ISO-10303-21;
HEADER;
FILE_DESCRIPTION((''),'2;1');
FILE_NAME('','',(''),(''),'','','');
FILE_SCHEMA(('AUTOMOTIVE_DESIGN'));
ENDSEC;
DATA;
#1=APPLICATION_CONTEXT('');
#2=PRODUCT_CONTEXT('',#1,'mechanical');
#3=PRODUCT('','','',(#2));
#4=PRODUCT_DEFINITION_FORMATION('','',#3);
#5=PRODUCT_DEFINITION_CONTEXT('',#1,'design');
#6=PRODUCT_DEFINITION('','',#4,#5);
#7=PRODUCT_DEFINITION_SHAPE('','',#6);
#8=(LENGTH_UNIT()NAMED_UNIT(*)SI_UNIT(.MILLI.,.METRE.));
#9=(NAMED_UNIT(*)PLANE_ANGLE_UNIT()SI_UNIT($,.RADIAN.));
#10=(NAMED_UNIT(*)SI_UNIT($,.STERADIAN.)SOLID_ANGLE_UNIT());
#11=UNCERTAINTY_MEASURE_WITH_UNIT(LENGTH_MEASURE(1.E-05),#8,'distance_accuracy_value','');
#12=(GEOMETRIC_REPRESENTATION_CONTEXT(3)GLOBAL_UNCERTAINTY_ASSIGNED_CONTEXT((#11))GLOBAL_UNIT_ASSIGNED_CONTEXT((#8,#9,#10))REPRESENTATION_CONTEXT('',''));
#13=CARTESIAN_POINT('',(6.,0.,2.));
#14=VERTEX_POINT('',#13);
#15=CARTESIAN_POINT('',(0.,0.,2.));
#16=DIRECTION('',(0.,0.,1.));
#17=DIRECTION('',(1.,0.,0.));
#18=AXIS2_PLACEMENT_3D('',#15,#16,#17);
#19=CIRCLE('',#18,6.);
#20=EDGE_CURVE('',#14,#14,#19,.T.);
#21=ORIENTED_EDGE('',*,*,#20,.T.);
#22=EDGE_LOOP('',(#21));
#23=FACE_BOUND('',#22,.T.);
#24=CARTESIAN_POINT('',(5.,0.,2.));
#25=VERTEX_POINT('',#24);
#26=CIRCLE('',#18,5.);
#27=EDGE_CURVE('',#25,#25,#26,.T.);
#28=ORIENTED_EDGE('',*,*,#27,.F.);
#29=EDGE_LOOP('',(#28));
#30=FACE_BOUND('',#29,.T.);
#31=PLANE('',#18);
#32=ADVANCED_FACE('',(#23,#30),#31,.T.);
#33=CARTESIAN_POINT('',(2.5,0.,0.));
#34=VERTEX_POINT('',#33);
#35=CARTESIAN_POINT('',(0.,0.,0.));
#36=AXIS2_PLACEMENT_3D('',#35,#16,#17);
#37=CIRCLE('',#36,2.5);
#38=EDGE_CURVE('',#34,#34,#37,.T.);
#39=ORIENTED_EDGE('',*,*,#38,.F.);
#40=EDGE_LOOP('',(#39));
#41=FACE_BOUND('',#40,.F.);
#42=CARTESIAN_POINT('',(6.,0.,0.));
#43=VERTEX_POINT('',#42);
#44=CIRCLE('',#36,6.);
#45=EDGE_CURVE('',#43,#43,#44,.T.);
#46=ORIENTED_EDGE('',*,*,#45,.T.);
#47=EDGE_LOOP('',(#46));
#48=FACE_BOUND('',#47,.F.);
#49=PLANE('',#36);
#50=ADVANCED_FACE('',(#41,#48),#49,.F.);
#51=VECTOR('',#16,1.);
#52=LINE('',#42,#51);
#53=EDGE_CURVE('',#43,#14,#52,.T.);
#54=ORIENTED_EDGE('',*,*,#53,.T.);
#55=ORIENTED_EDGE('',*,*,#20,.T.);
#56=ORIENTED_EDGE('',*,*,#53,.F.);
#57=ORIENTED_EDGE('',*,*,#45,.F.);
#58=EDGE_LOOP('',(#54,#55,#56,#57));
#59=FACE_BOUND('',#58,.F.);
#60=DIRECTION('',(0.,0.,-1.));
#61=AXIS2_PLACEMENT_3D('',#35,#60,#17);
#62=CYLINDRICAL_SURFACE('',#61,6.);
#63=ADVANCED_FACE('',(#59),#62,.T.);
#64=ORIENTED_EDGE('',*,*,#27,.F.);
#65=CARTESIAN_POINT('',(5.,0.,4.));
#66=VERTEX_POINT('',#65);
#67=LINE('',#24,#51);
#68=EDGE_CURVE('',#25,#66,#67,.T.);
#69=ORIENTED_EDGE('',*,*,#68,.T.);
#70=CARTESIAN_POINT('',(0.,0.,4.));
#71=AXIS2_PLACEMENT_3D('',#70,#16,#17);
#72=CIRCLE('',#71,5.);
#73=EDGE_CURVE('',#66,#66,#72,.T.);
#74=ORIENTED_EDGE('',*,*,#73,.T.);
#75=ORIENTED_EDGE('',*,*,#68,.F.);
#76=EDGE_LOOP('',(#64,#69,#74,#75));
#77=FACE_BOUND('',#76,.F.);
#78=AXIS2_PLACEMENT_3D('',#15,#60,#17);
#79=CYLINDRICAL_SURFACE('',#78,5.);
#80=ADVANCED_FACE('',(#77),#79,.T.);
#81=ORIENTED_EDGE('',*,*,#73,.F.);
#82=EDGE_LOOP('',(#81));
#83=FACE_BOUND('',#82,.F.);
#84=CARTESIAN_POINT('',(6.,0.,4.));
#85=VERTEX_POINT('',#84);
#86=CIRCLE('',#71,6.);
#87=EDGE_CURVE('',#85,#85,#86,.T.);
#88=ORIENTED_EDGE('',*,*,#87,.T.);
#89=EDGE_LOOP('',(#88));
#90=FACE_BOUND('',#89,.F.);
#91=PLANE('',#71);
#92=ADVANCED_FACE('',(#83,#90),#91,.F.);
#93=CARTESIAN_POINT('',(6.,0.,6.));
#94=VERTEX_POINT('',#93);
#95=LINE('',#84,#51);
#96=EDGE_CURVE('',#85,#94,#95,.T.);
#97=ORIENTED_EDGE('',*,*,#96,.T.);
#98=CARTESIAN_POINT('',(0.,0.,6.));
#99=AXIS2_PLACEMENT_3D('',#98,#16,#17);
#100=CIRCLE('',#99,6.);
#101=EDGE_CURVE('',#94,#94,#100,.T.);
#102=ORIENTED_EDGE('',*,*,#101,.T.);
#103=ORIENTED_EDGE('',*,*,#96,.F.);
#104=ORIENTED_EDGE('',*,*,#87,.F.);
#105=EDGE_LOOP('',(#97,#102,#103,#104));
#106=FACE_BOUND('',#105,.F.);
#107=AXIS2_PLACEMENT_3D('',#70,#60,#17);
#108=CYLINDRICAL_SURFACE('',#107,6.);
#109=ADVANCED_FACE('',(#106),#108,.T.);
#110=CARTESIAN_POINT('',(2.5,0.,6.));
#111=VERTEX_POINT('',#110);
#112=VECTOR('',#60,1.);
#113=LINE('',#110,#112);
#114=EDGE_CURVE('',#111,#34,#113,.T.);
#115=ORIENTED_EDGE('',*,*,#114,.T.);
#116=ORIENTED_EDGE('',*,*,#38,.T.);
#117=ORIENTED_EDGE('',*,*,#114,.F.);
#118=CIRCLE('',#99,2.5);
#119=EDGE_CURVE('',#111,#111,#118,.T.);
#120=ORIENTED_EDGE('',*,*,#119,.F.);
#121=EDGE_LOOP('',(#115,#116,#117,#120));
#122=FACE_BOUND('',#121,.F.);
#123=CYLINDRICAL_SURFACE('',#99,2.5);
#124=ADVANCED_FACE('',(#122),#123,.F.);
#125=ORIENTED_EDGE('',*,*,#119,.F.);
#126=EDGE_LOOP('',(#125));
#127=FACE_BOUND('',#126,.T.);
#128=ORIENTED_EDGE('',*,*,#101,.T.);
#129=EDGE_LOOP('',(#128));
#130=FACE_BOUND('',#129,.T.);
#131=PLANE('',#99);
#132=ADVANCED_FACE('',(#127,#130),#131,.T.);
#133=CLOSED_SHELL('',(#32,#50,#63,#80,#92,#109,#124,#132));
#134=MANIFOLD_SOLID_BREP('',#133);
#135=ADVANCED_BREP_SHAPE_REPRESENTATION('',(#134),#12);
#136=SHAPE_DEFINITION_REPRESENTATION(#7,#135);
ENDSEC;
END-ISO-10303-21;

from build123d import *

# Parameters (mm, degrees)
SKETCH_R     = 6
PAD_DEPTH    = 2
SKETCH001_R  = 5
PAD001_DEPTH = 2
SKETCH002_R  = 6
PAD002_DEPTH = 2
SKETCH003_R  = 2.5
POCKET_DEPTH = 6.001


with BuildPart() as part:
    # Sketch → Pad (new body)
    with BuildSketch(Plane.XY):
        Circle(SKETCH_R)
    extrude(amount=PAD_DEPTH)

    # Sketch001 (on Face3 of Pad) → Pad001 (join)
    with BuildSketch(Plane.XY.offset(2)):
        Circle(SKETCH001_R)
    extrude(amount=PAD001_DEPTH)

    # Sketch002 (on Face5 of Pad001) → Pad002 (join)
    with BuildSketch(Plane.XY.offset(4)):
        Circle(SKETCH002_R)
    extrude(amount=PAD002_DEPTH)

    # Sketch003 (on Face3 of Pad002) → Pocket (cut, through all)
    with BuildSketch(Plane.XY.offset(6)):
        Circle(SKETCH003_R)
    extrude(amount=-POCKET_DEPTH, mode=Mode.SUBTRACT)


solid = part.part
